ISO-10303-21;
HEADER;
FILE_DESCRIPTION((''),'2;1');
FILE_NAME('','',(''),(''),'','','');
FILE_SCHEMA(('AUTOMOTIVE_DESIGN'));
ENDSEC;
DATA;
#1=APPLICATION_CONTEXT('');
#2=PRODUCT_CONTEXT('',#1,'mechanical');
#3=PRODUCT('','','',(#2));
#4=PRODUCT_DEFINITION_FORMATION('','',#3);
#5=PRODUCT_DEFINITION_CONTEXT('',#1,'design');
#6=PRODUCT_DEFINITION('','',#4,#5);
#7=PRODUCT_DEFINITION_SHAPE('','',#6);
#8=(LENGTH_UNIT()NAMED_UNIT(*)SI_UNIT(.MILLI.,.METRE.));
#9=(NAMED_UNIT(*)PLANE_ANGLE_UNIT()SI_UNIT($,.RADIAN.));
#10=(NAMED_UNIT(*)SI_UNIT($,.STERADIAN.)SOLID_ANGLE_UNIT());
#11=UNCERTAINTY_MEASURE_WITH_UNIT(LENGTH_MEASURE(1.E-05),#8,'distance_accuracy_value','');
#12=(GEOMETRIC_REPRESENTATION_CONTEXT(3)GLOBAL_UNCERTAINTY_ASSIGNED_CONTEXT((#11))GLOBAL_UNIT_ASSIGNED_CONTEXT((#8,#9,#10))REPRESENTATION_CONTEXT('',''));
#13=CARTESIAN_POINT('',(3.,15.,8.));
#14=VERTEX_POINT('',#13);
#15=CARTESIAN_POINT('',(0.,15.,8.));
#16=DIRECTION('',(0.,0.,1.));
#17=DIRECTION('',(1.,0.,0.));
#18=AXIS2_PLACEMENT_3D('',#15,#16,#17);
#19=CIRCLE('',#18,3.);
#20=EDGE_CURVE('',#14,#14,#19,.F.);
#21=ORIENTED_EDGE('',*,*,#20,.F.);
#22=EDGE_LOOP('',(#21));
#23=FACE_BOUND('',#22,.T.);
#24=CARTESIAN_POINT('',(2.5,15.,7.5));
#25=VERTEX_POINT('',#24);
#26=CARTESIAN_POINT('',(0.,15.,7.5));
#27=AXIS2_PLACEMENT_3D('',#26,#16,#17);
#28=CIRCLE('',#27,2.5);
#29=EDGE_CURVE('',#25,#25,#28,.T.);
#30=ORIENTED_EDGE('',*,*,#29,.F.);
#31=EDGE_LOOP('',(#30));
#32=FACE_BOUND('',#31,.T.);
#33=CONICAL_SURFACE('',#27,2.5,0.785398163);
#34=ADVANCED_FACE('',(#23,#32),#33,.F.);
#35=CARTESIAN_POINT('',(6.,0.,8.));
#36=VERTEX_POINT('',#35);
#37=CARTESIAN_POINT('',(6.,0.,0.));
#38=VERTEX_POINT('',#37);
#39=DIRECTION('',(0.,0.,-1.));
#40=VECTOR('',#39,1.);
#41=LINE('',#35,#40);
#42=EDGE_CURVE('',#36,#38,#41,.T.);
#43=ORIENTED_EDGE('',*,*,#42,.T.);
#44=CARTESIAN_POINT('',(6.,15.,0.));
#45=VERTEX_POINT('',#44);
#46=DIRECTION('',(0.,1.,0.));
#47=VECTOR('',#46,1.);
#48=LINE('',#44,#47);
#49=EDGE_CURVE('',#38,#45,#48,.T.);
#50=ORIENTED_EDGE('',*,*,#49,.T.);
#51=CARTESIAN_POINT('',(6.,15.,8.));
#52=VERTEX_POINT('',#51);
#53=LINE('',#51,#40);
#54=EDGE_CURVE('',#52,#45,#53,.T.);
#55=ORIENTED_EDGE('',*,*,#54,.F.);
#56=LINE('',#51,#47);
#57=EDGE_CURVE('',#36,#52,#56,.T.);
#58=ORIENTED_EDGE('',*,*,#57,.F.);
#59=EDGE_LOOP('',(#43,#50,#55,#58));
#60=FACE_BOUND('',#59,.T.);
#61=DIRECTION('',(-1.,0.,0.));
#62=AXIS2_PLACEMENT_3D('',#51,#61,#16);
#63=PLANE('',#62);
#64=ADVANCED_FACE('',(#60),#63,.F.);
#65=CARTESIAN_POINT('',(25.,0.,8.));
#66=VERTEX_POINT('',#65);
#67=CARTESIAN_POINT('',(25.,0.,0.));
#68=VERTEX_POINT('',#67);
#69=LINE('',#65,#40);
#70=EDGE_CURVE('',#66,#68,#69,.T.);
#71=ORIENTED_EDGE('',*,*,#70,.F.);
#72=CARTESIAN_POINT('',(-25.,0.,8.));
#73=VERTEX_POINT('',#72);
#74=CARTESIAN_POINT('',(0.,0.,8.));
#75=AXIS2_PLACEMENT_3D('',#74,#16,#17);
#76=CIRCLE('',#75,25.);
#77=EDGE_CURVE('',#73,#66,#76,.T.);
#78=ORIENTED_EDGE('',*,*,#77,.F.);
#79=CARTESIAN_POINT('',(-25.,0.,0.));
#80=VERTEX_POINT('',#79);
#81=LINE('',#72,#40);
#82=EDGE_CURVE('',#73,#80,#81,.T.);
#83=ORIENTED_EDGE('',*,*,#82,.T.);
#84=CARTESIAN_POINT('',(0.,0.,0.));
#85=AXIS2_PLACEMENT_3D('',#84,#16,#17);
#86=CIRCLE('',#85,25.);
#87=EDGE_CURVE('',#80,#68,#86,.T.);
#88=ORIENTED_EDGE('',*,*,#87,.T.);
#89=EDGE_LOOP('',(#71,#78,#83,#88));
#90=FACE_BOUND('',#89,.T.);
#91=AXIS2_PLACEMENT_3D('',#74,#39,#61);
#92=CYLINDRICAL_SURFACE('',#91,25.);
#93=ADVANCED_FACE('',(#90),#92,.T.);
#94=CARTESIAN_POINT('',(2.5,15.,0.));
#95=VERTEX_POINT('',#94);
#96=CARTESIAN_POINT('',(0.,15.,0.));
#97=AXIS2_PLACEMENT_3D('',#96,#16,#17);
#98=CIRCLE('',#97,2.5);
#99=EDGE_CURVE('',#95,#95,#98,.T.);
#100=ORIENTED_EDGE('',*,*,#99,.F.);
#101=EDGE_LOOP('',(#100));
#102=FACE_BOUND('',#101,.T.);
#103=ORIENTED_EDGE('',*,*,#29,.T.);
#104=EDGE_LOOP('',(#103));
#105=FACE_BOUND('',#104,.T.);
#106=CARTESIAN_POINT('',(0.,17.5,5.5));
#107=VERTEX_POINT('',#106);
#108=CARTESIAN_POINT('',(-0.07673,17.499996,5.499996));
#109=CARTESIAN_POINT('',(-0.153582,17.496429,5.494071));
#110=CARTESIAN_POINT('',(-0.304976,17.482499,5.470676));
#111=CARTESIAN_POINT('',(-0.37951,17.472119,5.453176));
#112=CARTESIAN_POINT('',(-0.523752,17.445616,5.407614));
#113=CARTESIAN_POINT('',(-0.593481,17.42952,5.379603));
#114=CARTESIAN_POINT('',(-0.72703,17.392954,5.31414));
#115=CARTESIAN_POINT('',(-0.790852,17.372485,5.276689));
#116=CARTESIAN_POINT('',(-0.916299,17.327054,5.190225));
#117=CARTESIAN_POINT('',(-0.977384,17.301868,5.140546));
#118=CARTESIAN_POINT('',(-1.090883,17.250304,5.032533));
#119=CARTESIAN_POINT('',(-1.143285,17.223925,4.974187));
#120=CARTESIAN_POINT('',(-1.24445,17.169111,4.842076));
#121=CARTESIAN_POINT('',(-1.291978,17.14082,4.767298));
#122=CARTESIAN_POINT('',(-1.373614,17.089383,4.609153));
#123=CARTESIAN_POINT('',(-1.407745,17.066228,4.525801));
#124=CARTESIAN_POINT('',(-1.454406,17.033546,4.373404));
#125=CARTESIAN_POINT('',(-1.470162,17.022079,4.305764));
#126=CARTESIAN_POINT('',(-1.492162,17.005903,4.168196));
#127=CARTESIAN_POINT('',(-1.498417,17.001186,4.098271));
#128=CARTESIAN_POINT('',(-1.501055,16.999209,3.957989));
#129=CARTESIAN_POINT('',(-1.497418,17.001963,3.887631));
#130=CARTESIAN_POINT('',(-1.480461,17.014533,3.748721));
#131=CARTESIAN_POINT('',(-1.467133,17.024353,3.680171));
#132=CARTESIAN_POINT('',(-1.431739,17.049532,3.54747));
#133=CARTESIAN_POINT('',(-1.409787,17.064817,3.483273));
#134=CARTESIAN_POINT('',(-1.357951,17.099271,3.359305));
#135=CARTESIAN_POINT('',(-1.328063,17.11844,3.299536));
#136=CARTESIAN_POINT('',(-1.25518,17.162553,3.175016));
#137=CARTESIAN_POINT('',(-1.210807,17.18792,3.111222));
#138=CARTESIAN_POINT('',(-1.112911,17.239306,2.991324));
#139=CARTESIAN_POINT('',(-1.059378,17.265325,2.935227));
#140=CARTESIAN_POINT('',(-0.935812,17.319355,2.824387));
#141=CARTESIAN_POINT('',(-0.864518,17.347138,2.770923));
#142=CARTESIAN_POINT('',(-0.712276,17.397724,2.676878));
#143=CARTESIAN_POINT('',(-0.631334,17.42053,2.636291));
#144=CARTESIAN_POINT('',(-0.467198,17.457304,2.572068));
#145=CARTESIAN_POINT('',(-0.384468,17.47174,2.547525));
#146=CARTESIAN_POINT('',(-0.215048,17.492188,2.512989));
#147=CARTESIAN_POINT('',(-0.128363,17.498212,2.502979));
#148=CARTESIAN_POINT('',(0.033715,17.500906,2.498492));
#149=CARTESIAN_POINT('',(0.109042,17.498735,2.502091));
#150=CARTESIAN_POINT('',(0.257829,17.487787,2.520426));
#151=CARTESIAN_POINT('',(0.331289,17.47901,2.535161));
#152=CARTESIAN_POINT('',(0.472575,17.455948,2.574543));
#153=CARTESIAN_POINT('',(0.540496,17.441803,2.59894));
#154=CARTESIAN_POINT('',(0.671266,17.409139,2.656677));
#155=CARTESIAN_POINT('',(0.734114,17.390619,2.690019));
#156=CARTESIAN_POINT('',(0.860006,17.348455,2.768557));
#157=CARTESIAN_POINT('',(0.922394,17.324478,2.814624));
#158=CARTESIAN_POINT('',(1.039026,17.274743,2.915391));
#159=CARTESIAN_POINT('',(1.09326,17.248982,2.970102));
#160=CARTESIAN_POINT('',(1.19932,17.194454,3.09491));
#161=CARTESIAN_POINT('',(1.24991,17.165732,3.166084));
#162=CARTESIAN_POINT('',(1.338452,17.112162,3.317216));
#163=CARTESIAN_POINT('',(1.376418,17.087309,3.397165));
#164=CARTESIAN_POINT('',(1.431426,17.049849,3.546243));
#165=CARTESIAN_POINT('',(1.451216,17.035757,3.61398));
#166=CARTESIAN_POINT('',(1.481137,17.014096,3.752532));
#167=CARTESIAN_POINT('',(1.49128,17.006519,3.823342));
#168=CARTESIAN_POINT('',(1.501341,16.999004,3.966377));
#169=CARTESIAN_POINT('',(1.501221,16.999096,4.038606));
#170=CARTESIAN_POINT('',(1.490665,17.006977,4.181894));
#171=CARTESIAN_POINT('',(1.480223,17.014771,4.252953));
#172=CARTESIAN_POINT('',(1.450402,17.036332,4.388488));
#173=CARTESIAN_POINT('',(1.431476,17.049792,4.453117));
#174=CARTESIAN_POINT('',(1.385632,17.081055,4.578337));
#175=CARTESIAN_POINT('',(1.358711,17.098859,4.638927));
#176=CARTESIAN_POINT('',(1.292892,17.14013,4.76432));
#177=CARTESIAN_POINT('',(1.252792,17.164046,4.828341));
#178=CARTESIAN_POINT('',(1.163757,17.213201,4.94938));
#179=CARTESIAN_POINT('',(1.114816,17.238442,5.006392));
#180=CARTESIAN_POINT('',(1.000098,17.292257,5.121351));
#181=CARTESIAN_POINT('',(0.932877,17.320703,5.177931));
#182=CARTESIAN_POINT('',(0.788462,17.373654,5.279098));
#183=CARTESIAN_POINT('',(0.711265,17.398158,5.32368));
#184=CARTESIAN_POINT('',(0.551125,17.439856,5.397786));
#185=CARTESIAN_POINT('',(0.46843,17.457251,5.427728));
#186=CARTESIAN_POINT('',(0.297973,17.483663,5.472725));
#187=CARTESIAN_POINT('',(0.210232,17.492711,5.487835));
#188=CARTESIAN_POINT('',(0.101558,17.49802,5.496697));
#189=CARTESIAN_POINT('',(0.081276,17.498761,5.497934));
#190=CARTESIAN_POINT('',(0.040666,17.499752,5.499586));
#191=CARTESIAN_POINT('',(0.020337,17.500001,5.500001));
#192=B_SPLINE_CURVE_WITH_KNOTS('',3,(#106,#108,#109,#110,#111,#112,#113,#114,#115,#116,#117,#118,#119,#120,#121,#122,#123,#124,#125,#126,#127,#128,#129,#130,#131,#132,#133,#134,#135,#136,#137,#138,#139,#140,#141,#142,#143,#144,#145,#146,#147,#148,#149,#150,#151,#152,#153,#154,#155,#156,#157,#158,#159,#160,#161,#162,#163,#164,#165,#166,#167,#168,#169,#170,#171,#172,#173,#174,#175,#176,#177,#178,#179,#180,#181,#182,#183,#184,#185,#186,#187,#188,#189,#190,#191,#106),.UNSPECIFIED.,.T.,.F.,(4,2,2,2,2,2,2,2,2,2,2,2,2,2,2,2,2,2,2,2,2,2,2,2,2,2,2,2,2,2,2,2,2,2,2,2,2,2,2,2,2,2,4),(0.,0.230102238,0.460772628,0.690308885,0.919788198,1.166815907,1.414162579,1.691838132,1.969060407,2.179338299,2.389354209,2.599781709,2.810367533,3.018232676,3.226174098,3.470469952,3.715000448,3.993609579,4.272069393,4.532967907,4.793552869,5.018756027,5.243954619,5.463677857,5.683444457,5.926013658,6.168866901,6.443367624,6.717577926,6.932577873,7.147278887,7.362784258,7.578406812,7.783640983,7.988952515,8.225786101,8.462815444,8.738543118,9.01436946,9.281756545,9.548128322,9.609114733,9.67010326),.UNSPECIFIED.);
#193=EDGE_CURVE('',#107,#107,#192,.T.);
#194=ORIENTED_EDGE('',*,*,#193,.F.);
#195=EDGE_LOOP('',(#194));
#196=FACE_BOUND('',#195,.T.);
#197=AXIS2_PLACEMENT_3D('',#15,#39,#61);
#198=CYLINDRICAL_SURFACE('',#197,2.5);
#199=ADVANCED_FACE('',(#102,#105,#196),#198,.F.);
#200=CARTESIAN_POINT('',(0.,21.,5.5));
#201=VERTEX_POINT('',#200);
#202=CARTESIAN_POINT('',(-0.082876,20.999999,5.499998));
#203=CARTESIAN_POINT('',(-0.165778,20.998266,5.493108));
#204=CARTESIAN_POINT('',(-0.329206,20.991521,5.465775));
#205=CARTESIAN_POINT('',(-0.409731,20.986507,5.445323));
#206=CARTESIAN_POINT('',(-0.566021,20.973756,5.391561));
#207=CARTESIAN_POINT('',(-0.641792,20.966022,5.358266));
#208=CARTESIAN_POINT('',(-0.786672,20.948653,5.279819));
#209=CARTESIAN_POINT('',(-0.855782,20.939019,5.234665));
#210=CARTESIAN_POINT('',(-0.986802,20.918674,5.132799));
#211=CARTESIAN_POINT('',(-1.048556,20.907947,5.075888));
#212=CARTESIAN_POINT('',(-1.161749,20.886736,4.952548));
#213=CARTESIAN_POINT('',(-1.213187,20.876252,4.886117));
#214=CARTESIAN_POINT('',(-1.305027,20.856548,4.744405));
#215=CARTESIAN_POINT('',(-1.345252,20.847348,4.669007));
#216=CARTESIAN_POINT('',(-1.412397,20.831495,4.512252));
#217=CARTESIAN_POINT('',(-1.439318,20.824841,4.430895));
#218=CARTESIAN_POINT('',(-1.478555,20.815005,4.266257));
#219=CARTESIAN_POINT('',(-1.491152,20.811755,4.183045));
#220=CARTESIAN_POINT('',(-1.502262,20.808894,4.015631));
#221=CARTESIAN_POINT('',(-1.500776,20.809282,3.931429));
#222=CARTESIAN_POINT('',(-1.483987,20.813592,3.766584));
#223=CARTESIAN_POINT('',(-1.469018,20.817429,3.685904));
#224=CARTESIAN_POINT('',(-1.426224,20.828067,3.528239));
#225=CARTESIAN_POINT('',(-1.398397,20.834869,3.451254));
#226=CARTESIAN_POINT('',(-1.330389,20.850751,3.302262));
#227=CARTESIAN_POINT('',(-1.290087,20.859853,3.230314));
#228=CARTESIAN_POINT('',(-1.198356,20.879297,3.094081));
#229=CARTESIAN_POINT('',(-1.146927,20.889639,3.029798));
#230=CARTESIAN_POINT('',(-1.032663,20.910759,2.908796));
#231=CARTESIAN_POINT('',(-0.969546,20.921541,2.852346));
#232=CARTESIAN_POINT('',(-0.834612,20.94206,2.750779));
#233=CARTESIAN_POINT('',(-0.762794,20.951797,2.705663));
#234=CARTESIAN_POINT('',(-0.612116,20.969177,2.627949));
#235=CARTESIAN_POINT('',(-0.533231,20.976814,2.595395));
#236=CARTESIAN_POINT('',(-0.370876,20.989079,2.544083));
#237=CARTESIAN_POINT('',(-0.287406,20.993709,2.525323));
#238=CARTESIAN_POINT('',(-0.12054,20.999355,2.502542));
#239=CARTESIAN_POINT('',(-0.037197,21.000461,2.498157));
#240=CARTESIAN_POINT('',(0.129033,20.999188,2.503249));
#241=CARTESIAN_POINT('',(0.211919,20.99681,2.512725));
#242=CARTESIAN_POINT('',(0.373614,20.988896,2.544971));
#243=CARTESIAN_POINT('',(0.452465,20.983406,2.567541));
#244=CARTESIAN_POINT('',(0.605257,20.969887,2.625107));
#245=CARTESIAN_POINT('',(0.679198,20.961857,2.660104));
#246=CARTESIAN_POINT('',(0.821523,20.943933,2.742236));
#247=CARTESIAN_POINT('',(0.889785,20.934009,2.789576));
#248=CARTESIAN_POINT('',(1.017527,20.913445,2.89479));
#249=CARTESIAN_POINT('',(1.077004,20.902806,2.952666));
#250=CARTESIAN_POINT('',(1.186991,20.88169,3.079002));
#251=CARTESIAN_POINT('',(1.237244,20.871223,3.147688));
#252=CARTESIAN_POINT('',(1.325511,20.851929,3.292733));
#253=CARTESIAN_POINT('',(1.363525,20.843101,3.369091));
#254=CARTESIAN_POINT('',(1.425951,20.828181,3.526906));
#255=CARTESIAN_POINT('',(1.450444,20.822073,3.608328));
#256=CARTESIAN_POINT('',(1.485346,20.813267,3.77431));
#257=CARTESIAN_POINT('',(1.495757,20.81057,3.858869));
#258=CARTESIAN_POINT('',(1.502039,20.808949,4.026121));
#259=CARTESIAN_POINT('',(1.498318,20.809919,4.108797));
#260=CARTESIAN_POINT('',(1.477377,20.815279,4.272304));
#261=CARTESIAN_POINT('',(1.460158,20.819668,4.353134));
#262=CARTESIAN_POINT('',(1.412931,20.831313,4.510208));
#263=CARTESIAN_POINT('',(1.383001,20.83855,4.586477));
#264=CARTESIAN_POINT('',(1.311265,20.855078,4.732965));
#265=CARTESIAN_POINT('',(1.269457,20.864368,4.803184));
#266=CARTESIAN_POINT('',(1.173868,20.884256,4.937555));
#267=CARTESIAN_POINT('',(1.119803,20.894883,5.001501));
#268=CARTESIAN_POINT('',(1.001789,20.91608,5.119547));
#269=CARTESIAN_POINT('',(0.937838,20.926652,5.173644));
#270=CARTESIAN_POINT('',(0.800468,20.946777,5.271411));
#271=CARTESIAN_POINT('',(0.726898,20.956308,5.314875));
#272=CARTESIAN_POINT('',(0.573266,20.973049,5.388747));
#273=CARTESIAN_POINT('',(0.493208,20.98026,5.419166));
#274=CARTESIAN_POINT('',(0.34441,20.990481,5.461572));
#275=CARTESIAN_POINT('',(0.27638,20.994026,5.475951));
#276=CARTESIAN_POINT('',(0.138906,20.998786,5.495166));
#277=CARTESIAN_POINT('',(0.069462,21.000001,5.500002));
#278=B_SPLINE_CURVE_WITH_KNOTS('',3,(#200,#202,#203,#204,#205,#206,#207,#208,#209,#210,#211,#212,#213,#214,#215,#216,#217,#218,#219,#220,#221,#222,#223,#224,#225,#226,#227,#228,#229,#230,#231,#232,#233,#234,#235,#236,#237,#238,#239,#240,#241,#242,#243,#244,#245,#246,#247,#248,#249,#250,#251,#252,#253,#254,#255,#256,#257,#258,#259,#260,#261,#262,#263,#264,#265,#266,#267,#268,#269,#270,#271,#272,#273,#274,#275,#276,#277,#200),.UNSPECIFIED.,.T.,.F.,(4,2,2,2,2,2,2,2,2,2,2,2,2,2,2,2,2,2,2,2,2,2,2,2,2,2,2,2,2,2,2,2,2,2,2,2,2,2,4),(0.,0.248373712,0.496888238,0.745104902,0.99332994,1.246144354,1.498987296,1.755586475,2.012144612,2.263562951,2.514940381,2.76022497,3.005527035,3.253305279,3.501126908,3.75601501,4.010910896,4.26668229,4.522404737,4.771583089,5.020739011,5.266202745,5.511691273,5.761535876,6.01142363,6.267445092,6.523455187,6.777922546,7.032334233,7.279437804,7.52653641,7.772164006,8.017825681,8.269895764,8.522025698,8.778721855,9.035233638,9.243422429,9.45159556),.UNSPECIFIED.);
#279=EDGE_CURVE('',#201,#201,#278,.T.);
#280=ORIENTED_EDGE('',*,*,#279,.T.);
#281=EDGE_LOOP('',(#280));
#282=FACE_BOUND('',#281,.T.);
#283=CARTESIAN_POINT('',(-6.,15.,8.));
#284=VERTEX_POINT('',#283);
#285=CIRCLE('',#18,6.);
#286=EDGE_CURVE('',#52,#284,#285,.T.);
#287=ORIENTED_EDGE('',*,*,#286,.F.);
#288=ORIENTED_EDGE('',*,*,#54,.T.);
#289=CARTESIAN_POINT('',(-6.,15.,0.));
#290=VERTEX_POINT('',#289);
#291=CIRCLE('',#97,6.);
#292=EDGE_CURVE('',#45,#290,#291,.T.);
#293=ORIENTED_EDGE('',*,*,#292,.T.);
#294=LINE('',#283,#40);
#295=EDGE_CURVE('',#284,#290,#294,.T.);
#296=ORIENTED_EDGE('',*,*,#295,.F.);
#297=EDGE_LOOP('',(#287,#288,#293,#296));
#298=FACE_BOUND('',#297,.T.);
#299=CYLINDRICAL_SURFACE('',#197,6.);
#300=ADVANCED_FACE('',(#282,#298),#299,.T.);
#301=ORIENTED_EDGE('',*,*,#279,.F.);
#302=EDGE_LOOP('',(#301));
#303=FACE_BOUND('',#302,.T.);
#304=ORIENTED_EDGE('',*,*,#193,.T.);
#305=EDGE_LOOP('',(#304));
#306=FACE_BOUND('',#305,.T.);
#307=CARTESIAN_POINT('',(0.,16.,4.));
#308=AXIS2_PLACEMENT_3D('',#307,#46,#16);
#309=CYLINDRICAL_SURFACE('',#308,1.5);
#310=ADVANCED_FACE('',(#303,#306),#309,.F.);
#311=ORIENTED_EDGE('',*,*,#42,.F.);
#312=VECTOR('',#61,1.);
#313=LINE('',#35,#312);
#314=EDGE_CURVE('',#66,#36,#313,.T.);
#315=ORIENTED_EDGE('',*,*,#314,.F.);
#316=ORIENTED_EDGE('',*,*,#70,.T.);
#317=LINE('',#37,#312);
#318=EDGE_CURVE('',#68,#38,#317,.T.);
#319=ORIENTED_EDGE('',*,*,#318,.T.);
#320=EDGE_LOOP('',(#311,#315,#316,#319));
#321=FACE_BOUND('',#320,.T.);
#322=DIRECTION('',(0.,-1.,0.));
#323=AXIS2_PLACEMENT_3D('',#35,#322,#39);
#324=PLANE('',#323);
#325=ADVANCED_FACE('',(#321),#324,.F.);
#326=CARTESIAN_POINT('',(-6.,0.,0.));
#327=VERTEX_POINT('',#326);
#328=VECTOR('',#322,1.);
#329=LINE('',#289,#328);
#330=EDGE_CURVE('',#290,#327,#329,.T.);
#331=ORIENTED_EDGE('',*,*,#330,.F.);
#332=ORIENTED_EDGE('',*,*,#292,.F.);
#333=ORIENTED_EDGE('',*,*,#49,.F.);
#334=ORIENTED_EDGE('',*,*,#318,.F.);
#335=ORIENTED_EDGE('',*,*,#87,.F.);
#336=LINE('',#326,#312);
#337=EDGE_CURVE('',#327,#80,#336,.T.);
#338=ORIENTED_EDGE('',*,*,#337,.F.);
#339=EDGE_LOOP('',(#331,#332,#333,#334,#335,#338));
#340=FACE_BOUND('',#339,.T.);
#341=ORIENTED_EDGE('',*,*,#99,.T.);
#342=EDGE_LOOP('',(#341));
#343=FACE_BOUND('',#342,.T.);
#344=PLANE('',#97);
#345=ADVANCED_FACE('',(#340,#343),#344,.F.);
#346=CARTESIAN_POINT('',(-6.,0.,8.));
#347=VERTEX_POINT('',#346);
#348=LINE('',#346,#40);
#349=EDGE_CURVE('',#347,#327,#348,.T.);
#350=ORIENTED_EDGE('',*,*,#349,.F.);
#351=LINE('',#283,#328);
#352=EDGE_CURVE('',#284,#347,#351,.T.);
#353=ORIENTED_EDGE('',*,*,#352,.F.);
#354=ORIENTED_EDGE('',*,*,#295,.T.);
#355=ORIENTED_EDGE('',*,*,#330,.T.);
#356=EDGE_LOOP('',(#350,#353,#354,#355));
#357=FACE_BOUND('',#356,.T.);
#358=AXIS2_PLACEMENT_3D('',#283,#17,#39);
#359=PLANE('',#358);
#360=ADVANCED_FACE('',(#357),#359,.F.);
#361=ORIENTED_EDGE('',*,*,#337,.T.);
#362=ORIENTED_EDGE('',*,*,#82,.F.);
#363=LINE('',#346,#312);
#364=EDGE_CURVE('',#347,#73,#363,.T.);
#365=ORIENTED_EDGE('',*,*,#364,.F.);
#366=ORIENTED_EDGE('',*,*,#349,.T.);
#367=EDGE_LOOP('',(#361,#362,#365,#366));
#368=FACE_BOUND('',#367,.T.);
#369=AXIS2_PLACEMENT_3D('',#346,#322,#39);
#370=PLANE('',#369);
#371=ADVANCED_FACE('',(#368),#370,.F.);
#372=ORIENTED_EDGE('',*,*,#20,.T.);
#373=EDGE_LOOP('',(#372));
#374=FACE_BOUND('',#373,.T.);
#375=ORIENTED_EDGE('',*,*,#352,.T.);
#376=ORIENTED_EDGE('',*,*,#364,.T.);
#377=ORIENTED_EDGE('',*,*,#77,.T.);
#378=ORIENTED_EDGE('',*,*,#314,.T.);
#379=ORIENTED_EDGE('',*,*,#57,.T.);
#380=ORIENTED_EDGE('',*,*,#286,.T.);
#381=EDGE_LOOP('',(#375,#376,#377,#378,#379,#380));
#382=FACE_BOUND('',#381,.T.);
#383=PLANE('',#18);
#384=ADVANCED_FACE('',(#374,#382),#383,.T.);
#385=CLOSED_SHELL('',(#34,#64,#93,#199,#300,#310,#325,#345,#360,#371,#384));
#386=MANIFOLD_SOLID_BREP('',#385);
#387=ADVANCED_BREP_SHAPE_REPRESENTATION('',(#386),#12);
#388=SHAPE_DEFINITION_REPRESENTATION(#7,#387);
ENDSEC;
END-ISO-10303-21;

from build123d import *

# Parameters (mm, degrees)
SKETCH1_R           = 2.5
BOSS_EXTRUDE1_DEPTH = 8
CHAMFER1_SIZE       = 0.5
SKETCH2_R           = 1.5
CUT_EXTRUDE1_DEPTH  = 5


with BuildPart() as part:
    # Sketch1 → Boss-Extrude1 (new body)
    with BuildSketch(Plane.XY):
        with BuildLine():
            Line((-6, 15), (-6, 0))
            Line((-6, 0), (-25, 0))
            ThreePointArc((-25, 0), (0, -25), (25, 0))
            Line((25, 0), (6, 0))
            Line((6, 0), (6, 15))
            ThreePointArc((6, 15), (0, 21), (-6, 15))
        make_face()
        with Locations((0, 15)):
            Circle(SKETCH1_R, mode=Mode.SUBTRACT)
    extrude(amount=BOSS_EXTRUDE1_DEPTH)

    # Chamfer1
    chamfer1_edges = [part.edges().sort_by_distance(p)[0] for p in [
        (-2.5, 15, 8),
    ]]
    chamfer(chamfer1_edges, length=CHAMFER1_SIZE)

    # Sketch2 → Cut-Extrude1 (cut)
    with BuildSketch(Plane(origin=(0, 21, 0), x_dir=(1, 0, 0), z_dir=(0, 1, 0))):
        with Locations(Location((0, -4, 0), (0, 0, 270))):
            Circle(SKETCH2_R)
    extrude(amount=-CUT_EXTRUDE1_DEPTH, mode=Mode.SUBTRACT)


solid = part.part
